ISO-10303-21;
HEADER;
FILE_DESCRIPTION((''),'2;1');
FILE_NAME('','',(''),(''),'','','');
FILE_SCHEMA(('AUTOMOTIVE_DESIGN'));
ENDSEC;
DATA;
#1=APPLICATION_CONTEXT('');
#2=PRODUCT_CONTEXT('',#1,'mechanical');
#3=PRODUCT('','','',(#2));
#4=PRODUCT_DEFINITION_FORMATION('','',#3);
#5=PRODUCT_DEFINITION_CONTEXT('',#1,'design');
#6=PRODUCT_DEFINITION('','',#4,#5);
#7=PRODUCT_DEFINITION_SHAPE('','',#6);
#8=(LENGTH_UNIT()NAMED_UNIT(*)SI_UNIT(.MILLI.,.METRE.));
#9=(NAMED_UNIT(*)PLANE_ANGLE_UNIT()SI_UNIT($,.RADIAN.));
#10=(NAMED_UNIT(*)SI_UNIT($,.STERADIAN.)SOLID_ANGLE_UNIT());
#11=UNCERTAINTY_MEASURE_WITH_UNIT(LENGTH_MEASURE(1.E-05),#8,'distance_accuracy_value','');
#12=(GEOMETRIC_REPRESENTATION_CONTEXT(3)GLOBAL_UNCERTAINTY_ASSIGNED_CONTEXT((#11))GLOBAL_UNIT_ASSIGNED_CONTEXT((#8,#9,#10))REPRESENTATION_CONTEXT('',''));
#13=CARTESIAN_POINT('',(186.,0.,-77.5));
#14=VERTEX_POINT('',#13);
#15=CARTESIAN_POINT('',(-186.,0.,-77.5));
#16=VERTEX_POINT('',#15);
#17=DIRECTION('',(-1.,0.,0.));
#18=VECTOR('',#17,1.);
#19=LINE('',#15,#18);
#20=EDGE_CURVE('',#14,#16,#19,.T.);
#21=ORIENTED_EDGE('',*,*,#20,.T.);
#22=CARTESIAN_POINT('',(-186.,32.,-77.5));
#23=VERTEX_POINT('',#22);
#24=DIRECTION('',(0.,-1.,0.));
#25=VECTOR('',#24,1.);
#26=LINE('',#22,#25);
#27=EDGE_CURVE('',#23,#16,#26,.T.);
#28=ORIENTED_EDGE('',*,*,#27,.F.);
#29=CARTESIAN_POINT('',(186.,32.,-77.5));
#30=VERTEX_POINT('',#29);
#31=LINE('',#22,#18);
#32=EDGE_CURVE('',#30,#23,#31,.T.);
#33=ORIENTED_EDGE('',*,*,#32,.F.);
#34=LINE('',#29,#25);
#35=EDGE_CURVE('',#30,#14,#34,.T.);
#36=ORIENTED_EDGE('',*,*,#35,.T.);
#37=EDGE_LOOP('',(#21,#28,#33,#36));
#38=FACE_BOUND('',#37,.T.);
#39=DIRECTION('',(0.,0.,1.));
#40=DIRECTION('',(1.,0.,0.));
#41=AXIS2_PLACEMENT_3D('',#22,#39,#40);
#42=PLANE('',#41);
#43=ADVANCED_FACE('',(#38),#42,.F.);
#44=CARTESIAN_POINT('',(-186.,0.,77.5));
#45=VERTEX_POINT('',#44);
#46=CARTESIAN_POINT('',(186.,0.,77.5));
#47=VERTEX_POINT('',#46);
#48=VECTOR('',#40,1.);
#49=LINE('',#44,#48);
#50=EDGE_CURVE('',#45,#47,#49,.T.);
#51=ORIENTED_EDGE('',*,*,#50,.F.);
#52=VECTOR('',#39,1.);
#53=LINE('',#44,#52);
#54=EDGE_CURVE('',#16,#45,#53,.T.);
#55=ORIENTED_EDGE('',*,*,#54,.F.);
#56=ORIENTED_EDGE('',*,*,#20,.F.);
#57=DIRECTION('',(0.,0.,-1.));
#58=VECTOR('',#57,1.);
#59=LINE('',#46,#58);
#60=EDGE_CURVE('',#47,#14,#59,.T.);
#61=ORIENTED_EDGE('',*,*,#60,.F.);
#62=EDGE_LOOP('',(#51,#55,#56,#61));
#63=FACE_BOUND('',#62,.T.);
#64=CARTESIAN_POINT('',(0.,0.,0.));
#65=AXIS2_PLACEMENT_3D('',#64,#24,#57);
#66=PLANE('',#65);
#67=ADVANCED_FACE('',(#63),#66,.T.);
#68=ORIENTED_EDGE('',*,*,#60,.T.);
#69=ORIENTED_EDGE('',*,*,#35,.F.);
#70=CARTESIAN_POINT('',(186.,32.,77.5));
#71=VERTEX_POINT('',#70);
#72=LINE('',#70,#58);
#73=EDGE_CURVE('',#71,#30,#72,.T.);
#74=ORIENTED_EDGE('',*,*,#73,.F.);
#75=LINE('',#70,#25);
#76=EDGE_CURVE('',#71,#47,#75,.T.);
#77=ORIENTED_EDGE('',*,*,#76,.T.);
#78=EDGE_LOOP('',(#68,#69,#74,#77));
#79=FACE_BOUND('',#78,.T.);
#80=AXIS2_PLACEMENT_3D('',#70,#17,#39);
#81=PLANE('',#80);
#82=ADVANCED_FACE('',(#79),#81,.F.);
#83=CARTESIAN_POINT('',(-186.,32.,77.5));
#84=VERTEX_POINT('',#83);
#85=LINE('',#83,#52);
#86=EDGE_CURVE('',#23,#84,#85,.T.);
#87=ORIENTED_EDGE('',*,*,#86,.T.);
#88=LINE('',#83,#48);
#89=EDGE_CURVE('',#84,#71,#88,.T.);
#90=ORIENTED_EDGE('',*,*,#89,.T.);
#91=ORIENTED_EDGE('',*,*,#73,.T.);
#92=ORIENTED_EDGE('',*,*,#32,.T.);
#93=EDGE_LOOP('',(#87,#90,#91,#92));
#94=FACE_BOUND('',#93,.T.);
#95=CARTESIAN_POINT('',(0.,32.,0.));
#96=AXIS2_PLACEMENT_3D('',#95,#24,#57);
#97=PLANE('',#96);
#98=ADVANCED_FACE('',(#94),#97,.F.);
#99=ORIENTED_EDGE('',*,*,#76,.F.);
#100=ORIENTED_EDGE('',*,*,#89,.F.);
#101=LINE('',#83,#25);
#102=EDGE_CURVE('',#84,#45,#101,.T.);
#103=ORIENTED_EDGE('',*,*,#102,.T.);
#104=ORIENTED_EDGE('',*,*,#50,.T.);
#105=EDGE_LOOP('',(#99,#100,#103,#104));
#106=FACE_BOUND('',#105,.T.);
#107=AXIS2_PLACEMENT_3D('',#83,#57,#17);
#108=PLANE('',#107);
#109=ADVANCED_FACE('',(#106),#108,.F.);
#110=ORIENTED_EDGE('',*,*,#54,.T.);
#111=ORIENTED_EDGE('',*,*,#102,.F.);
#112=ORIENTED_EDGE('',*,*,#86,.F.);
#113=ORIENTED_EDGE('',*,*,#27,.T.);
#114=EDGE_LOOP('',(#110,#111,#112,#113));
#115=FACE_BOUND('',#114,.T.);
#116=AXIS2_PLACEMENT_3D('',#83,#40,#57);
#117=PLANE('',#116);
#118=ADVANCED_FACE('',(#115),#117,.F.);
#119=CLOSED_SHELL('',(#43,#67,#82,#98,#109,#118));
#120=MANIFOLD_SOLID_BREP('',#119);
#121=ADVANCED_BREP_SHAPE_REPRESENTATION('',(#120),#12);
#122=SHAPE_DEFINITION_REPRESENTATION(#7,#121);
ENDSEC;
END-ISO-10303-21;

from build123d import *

# Parameters (mm, degrees)
ESQUISSE1_W        = 372
ESQUISSE1_H        = 155
BOSS_EXTRU_1_DEPTH = 32


with BuildPart() as part:
    # Esquisse1 → Boss.-Extru.1 (new body)
    with BuildSketch(Plane(origin=(0, 0, 0), x_dir=(1, 0, 0), z_dir=(0, 1, 0))):
        Rectangle(ESQUISSE1_W, ESQUISSE1_H)
    extrude(amount=BOSS_EXTRU_1_DEPTH)


solid = part.part
